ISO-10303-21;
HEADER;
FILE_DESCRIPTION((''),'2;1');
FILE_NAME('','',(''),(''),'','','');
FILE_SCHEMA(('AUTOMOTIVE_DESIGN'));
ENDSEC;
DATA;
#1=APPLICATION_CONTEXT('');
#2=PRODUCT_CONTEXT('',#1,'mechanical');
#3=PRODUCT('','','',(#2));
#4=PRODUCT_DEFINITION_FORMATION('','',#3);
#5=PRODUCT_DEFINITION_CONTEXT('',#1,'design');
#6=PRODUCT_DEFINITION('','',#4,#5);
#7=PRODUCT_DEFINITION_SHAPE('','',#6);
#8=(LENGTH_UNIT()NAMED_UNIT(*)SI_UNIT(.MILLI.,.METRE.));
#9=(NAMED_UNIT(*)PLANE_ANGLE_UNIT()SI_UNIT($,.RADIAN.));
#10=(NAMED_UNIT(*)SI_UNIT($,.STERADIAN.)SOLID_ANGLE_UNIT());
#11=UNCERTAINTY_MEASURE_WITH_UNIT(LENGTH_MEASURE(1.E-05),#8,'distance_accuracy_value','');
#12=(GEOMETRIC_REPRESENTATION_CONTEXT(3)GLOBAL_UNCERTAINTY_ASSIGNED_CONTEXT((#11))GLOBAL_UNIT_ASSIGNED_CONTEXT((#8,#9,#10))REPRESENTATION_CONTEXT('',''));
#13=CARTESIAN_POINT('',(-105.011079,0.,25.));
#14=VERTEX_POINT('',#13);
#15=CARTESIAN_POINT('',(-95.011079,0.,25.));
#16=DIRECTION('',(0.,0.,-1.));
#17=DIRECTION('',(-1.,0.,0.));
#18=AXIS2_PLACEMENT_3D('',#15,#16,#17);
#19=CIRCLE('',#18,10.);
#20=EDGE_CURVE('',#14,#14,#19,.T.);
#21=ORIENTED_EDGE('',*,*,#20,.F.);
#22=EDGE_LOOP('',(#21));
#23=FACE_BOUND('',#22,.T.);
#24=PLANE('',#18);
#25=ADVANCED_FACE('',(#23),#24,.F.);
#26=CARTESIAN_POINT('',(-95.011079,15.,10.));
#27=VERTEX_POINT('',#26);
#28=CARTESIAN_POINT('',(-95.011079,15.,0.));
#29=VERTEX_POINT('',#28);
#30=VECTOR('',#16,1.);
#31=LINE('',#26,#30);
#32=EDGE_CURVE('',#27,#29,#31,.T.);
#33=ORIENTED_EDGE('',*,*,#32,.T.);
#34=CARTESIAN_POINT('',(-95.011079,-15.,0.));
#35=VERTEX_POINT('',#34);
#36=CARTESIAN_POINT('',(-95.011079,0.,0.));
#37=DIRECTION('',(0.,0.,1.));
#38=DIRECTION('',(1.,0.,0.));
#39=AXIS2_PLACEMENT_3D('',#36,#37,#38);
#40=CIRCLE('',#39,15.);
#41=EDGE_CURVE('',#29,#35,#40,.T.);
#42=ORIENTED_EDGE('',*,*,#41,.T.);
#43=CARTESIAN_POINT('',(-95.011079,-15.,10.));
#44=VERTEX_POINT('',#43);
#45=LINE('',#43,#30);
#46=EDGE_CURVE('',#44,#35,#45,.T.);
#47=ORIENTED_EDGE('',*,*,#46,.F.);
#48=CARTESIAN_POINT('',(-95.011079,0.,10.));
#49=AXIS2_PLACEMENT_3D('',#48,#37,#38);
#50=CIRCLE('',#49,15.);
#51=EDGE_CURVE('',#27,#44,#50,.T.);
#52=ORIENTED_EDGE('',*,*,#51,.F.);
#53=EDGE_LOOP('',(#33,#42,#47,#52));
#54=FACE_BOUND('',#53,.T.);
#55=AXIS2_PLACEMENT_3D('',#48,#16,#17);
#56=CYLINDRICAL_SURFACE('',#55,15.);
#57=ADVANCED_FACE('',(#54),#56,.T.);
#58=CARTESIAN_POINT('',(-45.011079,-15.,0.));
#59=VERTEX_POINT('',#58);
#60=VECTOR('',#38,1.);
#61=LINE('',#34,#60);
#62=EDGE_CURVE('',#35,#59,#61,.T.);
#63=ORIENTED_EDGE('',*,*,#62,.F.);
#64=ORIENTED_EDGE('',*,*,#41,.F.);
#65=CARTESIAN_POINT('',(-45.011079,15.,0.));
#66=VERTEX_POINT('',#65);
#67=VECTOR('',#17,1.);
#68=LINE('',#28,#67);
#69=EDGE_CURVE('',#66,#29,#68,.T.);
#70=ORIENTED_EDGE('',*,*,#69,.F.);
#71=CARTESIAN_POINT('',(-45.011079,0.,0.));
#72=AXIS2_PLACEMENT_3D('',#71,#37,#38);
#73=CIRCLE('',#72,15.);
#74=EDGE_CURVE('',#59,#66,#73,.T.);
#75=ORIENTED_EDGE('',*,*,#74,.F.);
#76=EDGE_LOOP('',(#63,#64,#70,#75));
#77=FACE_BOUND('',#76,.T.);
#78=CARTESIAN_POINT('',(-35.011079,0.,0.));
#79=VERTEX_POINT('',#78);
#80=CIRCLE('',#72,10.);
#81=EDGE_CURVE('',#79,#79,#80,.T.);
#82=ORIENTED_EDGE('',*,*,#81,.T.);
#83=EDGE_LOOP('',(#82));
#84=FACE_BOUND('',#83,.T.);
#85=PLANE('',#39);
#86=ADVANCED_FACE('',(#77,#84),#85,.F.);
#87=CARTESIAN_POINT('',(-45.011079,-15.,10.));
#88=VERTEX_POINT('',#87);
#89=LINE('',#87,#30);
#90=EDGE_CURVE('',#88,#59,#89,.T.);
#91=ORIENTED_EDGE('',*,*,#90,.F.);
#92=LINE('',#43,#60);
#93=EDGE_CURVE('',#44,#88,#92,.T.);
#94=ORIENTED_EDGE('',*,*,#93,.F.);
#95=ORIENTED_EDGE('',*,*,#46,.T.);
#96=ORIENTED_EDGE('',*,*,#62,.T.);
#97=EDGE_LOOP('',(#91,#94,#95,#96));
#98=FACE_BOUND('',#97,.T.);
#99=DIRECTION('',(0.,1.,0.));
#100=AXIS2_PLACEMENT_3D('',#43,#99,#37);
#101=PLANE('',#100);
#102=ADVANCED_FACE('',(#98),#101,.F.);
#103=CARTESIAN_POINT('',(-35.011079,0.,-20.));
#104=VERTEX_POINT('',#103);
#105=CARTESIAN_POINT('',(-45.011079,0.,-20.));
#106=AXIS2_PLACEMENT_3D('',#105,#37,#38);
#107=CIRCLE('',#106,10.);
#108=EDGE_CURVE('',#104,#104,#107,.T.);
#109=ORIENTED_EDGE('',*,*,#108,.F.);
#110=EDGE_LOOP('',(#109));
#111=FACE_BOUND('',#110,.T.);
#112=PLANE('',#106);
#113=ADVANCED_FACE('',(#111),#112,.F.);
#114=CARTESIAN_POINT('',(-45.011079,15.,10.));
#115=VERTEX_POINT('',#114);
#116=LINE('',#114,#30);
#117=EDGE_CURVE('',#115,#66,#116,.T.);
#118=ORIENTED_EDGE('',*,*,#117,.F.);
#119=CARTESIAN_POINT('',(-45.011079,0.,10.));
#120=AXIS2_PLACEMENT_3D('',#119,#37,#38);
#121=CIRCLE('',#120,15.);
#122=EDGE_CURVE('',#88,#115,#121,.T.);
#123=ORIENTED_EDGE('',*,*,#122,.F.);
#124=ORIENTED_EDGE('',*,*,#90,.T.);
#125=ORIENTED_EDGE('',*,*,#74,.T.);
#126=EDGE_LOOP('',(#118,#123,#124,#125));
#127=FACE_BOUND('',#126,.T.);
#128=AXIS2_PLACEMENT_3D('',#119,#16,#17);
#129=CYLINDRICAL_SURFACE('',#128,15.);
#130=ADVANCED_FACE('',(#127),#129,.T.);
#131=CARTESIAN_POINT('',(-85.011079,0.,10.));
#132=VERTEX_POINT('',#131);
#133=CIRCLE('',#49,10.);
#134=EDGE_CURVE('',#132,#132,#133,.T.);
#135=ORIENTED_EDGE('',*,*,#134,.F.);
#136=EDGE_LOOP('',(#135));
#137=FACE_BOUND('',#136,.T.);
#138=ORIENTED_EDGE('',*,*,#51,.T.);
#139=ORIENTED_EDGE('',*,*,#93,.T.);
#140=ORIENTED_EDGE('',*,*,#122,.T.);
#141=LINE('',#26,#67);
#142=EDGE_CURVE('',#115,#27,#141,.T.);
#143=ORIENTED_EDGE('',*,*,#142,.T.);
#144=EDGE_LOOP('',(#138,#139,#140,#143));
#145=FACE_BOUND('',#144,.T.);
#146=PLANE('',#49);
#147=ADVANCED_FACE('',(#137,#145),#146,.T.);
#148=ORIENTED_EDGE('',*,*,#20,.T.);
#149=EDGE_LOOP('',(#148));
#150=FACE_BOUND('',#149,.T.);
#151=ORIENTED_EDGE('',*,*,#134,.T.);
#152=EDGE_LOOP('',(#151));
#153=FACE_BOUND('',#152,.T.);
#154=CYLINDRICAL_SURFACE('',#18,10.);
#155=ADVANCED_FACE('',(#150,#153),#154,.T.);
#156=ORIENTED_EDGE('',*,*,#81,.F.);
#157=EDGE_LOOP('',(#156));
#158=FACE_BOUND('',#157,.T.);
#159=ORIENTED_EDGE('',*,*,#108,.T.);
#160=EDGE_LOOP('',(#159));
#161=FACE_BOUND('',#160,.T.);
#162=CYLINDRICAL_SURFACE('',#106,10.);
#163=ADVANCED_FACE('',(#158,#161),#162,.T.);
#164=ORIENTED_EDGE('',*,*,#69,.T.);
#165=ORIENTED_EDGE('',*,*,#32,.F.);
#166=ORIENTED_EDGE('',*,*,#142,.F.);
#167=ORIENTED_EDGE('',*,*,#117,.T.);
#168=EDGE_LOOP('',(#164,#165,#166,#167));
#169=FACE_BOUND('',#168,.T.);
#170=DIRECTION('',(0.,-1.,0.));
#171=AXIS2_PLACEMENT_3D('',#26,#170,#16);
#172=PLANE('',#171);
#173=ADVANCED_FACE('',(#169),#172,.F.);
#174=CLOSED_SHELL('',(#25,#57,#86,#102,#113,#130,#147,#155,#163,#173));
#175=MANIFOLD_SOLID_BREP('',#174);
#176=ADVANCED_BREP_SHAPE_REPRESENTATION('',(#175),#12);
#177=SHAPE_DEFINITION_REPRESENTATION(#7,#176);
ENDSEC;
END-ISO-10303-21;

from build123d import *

# Parameters (mm, degrees)
SKETCH1_R           = 10
BOSS_EXTRUDE1_DEPTH = 10
BOSS_EXTRUDE2_START = -30
SKETCH2_R           = 10
BOSS_EXTRUDE2_DEPTH = 30
SKETCH3_R           = 10
BOSS_EXTRUDE3_DEPTH = 25


with BuildPart() as part:
    # Sketch1 → Boss-Extrude1 (new body)
    with BuildSketch(Plane.XY):
        with BuildLine():
            Line((-95.01107872, 15), (-45.01107872, 15))
            ThreePointArc((-45.01107872, 15), (-30.01107872, 0), (-45.01107872, -15))
            Line((-45.01107872, -15), (-95.01107872, -15))
            ThreePointArc((-95.01107872, -15), (-110.01107872, 0), (-95.01107872, 15))
        make_face()
        with Locations((-95.01107872, 0)):
            Circle(SKETCH1_R, mode=Mode.SUBTRACT)
        with Locations((-45.01107872, 0)):
            Circle(SKETCH1_R, mode=Mode.SUBTRACT)
    extrude(amount=BOSS_EXTRUDE1_DEPTH)

    # Sketch2 → Boss-Extrude2 (add)
    with BuildSketch(Plane.XY.offset(10).offset(BOSS_EXTRUDE2_START)):
        with Locations((-45.01107872, 0)):
            Circle(SKETCH2_R)
    extrude(amount=BOSS_EXTRUDE2_DEPTH)

    # Sketch3 → Boss-Extrude3 (add)
    with BuildSketch(Plane(origin=(0, 0, 0), x_dir=(-1, 0, 0), z_dir=(0, 0, -1))):
        with Locations((95.01107872, 0)):
            Circle(SKETCH3_R)
    extrude(amount=-BOSS_EXTRUDE3_DEPTH)


solid = part.part
